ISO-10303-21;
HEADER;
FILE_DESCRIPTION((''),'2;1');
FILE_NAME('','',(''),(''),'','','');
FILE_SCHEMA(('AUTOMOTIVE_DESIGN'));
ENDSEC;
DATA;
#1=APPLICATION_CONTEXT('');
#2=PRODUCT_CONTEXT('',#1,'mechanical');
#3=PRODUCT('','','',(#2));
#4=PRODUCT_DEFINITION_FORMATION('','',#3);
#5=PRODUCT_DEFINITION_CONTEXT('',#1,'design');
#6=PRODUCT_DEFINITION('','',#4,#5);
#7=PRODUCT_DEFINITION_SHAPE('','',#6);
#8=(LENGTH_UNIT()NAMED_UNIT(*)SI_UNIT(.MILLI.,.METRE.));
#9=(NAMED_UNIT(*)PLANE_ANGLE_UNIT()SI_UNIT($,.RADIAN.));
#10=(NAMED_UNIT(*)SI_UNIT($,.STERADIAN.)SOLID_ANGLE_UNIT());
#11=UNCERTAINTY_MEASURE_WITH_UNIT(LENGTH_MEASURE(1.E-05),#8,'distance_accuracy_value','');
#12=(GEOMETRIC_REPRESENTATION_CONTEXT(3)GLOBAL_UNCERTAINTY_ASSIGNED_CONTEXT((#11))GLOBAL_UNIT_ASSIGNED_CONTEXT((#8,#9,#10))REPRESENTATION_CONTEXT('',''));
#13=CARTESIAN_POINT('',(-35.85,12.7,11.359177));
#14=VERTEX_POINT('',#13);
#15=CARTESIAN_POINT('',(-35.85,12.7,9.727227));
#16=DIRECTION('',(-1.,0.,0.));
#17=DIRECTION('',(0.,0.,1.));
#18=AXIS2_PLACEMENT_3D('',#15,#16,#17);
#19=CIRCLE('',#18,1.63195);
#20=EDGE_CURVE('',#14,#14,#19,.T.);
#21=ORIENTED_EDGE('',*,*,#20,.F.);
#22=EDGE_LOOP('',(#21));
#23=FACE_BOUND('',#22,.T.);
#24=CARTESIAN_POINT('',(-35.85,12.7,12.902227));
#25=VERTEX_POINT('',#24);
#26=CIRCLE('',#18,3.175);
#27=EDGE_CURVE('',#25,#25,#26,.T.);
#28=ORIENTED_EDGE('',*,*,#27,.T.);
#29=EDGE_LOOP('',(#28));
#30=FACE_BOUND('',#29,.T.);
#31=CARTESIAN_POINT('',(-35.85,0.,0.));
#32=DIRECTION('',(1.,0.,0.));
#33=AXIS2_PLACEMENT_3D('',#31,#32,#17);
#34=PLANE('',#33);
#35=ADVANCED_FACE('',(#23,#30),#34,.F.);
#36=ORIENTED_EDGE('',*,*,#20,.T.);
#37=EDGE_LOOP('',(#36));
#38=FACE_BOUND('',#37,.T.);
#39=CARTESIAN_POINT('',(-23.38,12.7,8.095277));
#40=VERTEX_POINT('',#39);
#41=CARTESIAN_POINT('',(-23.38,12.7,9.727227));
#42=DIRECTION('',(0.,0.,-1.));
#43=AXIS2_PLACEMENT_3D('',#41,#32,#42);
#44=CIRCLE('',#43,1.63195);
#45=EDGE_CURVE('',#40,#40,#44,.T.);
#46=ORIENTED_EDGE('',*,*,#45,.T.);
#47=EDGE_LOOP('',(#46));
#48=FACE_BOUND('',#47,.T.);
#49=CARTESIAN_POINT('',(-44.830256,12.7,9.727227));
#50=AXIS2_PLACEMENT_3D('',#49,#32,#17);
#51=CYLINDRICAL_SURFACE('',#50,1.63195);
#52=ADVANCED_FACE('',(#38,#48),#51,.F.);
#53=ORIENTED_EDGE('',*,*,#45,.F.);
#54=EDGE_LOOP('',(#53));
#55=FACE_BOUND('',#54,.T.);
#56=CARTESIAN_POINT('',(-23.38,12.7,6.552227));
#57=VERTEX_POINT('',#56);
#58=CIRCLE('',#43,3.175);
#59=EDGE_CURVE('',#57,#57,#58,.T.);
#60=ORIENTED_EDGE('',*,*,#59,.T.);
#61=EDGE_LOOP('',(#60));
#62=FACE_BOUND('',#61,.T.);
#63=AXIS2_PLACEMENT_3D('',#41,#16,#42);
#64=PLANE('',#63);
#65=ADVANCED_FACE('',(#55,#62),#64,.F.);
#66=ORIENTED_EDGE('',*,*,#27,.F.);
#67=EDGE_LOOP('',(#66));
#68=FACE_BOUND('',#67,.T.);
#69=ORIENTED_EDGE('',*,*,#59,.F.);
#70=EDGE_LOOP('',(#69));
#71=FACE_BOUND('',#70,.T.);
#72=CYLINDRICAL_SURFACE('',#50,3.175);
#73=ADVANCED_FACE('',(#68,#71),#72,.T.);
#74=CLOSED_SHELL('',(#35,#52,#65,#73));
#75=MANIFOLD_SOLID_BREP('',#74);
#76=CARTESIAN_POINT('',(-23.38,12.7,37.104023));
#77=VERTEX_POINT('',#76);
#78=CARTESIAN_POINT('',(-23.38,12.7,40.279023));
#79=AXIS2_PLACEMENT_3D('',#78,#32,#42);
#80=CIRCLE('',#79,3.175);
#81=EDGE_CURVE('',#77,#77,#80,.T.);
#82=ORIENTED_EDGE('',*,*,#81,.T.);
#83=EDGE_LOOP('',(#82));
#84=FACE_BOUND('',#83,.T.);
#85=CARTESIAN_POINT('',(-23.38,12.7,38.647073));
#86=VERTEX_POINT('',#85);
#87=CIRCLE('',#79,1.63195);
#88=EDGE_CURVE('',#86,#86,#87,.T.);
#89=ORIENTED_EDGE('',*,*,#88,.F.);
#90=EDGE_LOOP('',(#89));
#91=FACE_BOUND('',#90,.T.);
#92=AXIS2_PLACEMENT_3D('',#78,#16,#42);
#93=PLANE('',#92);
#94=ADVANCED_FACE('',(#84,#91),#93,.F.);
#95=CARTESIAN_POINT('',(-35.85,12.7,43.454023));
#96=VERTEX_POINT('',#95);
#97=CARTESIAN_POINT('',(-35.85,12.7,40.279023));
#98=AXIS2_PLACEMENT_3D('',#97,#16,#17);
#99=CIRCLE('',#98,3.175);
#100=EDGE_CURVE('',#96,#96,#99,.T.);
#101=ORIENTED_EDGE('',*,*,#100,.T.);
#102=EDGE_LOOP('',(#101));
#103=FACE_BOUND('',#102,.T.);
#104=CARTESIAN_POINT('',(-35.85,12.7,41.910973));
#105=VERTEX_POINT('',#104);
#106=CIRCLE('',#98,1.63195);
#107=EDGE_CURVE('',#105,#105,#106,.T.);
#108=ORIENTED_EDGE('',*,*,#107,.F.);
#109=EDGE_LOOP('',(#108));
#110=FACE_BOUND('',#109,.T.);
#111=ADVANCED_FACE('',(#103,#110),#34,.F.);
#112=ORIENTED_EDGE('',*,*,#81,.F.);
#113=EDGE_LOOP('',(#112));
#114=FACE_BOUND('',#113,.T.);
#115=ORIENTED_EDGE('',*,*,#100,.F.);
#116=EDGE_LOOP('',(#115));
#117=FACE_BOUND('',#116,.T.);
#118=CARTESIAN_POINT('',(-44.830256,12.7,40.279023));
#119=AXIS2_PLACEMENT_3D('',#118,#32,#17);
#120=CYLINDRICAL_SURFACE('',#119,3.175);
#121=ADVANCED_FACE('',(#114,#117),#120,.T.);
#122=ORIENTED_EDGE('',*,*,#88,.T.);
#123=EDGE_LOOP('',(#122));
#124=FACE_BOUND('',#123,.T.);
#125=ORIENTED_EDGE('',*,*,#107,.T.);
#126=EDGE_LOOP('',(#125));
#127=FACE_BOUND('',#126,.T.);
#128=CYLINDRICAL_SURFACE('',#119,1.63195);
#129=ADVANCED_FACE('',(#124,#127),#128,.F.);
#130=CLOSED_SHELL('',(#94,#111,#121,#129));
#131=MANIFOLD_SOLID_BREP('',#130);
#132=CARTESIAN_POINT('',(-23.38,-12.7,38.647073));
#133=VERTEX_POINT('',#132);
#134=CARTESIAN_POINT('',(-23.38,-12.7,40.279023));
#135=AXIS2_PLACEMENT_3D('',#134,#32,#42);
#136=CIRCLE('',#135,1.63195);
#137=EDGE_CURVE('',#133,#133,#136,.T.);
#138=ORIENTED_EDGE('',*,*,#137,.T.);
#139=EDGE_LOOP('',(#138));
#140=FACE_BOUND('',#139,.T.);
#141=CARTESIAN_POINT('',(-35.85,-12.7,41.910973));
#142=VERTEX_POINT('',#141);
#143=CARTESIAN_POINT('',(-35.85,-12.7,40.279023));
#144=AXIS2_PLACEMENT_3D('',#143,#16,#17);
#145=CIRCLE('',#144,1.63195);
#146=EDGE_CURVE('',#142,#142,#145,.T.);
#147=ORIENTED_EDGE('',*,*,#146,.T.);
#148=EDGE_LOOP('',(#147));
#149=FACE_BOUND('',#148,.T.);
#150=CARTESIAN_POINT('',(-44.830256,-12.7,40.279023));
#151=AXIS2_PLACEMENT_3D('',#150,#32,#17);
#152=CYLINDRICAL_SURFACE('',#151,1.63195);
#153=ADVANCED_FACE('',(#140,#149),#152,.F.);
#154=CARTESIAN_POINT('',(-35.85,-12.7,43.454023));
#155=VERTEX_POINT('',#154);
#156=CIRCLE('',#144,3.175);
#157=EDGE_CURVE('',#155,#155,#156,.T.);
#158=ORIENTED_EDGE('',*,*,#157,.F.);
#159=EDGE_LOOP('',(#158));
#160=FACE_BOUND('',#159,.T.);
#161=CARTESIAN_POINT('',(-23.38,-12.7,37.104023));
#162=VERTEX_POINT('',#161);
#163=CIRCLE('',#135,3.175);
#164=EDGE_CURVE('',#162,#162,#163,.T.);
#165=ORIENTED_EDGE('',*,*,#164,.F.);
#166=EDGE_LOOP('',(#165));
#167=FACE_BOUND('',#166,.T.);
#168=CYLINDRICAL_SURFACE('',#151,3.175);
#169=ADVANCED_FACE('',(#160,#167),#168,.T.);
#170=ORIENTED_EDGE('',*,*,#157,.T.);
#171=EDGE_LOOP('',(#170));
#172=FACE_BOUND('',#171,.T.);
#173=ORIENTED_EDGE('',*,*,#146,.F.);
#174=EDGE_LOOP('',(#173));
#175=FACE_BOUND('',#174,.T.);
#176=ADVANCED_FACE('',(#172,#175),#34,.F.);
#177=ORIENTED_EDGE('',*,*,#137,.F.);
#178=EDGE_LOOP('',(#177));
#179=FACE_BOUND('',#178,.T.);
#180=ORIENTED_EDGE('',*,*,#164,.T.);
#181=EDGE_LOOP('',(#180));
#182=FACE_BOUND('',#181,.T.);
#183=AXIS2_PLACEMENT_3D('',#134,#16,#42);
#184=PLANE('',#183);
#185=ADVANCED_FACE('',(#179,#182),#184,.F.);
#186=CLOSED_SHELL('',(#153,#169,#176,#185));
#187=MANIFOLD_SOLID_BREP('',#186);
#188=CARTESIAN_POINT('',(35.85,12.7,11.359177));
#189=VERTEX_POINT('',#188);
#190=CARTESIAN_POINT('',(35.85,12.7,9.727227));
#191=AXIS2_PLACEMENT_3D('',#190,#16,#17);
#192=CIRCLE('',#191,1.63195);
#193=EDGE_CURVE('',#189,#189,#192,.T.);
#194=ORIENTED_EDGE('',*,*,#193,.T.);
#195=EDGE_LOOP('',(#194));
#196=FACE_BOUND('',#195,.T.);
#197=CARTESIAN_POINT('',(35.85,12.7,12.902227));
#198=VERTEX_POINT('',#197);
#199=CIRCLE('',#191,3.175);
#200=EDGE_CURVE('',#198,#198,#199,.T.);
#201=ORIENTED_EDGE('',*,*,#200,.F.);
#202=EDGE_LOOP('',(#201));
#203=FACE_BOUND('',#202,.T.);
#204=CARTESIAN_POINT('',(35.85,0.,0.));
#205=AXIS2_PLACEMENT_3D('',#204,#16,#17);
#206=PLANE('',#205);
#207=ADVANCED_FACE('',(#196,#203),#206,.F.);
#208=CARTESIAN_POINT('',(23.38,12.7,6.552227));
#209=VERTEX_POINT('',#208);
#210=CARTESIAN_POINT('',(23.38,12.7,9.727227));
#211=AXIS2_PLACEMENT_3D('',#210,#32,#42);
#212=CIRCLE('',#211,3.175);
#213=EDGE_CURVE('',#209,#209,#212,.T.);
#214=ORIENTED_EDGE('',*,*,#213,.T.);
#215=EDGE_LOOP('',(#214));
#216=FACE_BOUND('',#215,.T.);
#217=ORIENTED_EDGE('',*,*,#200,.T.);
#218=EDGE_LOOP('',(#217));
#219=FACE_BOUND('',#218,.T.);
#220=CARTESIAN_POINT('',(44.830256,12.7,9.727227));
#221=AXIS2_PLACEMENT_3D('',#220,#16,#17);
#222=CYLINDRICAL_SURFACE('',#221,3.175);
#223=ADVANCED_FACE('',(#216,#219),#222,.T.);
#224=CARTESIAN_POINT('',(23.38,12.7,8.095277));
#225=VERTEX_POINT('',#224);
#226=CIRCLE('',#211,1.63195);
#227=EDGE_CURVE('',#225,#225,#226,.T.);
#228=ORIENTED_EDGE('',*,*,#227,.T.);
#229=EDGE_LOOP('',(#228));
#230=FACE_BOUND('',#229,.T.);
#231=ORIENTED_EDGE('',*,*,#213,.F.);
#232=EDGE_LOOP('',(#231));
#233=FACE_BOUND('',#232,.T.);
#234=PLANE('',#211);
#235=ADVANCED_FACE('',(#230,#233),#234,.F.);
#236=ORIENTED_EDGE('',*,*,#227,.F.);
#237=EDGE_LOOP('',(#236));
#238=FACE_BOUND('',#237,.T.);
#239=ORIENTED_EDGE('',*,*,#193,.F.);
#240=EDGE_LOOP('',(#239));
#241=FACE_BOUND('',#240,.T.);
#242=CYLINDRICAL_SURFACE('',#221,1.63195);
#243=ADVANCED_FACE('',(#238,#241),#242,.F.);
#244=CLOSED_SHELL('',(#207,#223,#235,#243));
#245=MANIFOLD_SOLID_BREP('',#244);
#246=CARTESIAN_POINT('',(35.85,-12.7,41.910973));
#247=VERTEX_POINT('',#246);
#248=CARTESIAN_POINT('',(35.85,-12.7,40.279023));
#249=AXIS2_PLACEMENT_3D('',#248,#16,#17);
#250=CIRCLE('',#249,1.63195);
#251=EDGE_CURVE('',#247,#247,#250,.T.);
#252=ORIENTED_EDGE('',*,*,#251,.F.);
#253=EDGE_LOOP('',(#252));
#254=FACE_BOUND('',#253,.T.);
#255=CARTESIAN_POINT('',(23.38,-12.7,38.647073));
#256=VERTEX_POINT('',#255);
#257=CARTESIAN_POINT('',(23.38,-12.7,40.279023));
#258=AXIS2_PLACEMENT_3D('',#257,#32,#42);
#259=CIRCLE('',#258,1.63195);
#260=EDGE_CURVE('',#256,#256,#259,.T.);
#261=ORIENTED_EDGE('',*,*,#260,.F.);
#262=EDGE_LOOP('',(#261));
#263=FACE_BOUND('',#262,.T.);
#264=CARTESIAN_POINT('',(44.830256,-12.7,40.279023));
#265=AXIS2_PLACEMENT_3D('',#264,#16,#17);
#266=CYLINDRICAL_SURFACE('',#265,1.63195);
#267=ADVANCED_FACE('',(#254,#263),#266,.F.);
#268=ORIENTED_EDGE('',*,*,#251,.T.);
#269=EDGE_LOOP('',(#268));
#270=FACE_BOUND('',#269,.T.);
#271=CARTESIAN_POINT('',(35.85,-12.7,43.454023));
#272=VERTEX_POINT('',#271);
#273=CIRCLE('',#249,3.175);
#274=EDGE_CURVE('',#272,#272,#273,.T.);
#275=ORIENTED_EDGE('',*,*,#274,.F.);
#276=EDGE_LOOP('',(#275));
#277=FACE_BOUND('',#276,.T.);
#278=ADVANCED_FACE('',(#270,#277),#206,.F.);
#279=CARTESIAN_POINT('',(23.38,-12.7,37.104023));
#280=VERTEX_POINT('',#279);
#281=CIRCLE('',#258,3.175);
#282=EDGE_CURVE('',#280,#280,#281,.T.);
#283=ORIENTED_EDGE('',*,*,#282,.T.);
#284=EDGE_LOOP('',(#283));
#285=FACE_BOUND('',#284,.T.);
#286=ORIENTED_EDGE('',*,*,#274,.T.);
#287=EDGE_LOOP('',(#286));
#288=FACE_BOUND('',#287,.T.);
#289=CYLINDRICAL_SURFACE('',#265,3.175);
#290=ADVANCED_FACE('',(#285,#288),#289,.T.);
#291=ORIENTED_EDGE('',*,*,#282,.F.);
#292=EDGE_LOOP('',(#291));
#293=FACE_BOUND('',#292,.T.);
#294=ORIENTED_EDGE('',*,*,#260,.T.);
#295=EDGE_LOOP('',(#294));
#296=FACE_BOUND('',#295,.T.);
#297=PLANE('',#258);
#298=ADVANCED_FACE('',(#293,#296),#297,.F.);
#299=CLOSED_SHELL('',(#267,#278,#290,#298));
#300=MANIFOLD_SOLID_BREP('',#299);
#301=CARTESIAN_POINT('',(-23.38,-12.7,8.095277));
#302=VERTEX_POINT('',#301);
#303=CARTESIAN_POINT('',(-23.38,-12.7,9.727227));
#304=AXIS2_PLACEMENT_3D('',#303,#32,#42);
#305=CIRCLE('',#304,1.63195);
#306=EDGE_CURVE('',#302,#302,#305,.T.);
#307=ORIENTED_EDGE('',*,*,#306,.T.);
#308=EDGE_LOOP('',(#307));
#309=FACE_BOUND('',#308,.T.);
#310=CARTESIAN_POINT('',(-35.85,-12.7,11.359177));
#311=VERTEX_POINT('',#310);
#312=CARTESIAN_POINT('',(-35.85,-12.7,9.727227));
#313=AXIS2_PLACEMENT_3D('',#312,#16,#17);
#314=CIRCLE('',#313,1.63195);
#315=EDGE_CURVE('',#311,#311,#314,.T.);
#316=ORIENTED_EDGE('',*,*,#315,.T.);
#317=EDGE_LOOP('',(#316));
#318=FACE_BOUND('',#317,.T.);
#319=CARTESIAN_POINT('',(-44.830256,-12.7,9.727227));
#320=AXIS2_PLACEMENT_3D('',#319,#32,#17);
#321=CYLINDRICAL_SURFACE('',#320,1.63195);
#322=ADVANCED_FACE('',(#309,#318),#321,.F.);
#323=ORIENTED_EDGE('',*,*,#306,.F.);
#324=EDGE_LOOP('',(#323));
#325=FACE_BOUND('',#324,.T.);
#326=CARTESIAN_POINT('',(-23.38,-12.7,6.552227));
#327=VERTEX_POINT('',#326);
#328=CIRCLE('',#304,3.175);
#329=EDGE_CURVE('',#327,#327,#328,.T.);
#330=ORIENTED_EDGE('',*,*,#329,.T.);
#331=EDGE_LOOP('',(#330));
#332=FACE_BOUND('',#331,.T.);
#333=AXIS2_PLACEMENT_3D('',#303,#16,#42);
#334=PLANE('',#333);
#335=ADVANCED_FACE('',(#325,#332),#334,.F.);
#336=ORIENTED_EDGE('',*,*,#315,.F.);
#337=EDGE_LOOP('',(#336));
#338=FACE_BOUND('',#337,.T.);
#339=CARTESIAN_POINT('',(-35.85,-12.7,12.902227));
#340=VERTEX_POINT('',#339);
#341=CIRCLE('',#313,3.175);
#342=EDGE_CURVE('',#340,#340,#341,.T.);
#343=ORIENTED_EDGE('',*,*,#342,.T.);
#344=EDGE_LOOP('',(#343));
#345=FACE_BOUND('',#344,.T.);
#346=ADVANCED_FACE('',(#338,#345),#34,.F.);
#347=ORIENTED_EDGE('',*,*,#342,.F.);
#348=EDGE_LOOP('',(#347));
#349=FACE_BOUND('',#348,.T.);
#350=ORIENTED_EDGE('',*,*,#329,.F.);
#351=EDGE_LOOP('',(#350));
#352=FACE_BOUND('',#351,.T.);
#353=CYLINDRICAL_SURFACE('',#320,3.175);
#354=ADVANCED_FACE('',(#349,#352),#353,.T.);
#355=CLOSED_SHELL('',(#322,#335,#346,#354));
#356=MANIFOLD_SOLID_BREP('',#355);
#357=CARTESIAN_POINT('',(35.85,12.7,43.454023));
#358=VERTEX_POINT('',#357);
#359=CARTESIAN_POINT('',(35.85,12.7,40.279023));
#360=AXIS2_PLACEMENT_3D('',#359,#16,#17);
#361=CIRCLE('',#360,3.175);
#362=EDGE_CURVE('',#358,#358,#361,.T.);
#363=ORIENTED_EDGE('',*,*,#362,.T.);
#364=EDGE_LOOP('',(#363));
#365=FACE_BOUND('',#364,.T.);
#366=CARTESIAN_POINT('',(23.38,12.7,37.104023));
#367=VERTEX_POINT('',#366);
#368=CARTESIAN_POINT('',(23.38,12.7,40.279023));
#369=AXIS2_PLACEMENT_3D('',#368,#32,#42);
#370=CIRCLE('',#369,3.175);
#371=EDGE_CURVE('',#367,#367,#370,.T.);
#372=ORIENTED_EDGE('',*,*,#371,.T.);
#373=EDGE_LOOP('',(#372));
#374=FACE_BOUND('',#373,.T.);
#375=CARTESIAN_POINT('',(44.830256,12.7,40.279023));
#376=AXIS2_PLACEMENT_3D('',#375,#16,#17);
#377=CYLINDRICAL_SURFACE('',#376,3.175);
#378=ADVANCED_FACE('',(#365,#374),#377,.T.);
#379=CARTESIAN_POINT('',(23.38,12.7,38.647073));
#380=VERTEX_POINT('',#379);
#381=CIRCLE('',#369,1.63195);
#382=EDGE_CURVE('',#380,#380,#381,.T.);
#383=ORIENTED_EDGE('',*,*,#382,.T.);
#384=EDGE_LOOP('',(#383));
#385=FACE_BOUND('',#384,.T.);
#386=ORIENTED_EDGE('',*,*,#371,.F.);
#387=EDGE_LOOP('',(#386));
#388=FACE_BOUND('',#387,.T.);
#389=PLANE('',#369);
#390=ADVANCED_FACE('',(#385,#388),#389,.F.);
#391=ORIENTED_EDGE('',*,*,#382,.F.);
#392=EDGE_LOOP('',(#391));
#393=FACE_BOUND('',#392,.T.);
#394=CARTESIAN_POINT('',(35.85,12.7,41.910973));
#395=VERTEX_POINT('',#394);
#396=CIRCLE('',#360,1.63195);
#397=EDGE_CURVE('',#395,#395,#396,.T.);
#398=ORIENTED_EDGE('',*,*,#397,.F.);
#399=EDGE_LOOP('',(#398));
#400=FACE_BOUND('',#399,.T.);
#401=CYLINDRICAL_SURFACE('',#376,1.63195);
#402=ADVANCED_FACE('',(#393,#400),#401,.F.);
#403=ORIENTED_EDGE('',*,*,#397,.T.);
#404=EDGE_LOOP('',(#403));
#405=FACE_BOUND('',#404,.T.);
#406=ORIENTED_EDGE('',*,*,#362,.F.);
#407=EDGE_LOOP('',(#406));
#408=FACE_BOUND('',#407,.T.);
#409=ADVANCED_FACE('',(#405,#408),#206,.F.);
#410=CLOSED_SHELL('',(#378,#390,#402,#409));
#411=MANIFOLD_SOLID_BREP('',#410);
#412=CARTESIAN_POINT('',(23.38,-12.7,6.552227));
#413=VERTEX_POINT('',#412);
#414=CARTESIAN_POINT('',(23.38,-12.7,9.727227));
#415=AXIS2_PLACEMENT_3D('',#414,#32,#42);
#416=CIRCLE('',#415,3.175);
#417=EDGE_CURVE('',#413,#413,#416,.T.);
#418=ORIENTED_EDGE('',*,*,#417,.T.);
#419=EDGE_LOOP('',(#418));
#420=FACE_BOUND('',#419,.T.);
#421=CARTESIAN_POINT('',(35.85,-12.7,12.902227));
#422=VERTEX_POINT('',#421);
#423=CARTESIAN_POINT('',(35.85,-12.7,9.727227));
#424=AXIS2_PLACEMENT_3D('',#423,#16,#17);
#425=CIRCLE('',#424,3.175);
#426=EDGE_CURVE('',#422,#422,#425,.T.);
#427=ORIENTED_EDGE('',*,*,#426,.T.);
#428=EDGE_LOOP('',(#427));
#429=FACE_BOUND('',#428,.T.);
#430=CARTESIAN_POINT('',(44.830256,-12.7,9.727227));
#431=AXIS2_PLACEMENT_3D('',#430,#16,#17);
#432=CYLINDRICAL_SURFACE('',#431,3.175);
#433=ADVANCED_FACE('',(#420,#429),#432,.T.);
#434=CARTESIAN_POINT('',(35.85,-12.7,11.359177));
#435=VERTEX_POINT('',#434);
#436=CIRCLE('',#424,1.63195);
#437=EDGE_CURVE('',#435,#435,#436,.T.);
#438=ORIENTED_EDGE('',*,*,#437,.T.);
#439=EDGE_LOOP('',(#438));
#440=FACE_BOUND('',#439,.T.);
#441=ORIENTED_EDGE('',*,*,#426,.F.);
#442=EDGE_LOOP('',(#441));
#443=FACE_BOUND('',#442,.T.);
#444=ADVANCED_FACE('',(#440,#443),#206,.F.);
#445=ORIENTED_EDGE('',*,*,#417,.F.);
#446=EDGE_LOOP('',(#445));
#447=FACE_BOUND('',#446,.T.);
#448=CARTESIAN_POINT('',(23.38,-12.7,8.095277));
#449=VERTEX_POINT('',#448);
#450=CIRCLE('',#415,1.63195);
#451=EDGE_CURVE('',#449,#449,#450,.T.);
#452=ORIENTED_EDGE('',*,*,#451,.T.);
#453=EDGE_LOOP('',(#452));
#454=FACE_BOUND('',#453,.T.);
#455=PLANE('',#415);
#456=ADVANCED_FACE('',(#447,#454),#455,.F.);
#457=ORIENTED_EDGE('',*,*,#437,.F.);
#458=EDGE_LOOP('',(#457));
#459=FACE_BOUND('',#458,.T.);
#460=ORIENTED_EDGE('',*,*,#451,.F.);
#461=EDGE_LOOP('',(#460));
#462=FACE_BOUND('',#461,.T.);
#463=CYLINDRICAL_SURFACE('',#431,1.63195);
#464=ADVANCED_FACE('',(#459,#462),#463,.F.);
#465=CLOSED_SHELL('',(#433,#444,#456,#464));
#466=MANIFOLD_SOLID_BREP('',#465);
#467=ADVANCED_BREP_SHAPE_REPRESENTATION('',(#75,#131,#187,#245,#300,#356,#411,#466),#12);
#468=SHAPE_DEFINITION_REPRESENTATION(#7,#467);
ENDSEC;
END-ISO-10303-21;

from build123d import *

# Parameters (mm, degrees)
BOSS_EXTRUDE2_START   = 23.38
SKETCH2_R             = 3.175
SKETCH2_R_2           = 1.63195
BOSS_EXTRUDE2_DEPTH   = 12.469999952
BOSS_EXTRUDE2_2_DEPTH = 12.469999952
BOSS_EXTRUDE2_3_DEPTH = 12.469999952
BOSS_EXTRUDE2_4_DEPTH = 12.469999952


with BuildPart() as part:
    # Sketch2 → Boss-Extrude2 (new body)
    with BuildSketch(Plane(origin=(0, 0, 0), x_dir=(0, 0, -1), z_dir=(1, 0, 0)).offset(BOSS_EXTRUDE2_START)):
        with Locations(Location((-40.279022884, 12.7, 0), (0, 0, 180))):
            Circle(SKETCH2_R)
        with Locations(Location((-40.279022884, 12.7, 0), (0, 0, 180))):
            Circle(SKETCH2_R_2, mode=Mode.SUBTRACT)
    extrude(amount=BOSS_EXTRUDE2_DEPTH)


with BuildPart() as body_2:
    # Sketch2 → Boss-Extrude2 2 (new body)
    with BuildSketch(Plane(origin=(0, 0, 0), x_dir=(0, 0, -1), z_dir=(1, 0, 0)).offset(BOSS_EXTRUDE2_START)):
        with Locations(Location((-40.279022884, -12.7, 0), (0, 0, 180))):
            Circle(SKETCH2_R)
        with Locations(Location((-40.279022884, -12.7, 0), (0, 0, 180))):
            Circle(SKETCH2_R_2, mode=Mode.SUBTRACT)
    extrude(amount=BOSS_EXTRUDE2_2_DEPTH)


with BuildPart() as body_3:
    # Sketch2 → Boss-Extrude2 3 (new body)
    with BuildSketch(Plane(origin=(0, 0, 0), x_dir=(0, 0, -1), z_dir=(1, 0, 0)).offset(BOSS_EXTRUDE2_START)):
        with Locations(Location((-9.727227116, -12.7, 0), (0, 0, 180))):
            Circle(SKETCH2_R)
        with Locations(Location((-9.727227116, -12.7, 0), (0, 0, 180))):
            Circle(SKETCH2_R_2, mode=Mode.SUBTRACT)
    extrude(amount=BOSS_EXTRUDE2_3_DEPTH)


with BuildPart() as body_4:
    # Sketch2 → Boss-Extrude2 4 (new body)
    with BuildSketch(Plane(origin=(0, 0, 0), x_dir=(0, 0, -1), z_dir=(1, 0, 0)).offset(BOSS_EXTRUDE2_START)):
        with Locations(Location((-9.727227116, 12.7, 0), (0, 0, 180))):
            Circle(SKETCH2_R)
        with Locations(Location((-9.727227116, 12.7, 0), (0, 0, 180))):
            Circle(SKETCH2_R_2, mode=Mode.SUBTRACT)
    extrude(amount=BOSS_EXTRUDE2_4_DEPTH)


with BuildPart() as body_5:
    # Mirror2: mirrored copy
    add(body_4.part.mirror(Plane(origin=(0, 0, 0), x_dir=(0, 0, 1), z_dir=(1, 0, 0))))


with BuildPart() as body_6:
    # Mirror2 2: mirrored copy
    add(part.part.mirror(Plane(origin=(0, 0, 0), x_dir=(0, 0, 1), z_dir=(1, 0, 0))))


with BuildPart() as body_7:
    # Mirror2 3: mirrored copy
    add(body_2.part.mirror(Plane(origin=(0, 0, 0), x_dir=(0, 0, 1), z_dir=(1, 0, 0))))


with BuildPart() as body_8:
    # Mirror2 4: mirrored copy
    add(body_3.part.mirror(Plane(origin=(0, 0, 0), x_dir=(0, 0, 1), z_dir=(1, 0, 0))))


solid = Compound([part.part, body_2.part, body_3.part, body_4.part, body_5.part, body_6.part, body_7.part, body_8.part])
